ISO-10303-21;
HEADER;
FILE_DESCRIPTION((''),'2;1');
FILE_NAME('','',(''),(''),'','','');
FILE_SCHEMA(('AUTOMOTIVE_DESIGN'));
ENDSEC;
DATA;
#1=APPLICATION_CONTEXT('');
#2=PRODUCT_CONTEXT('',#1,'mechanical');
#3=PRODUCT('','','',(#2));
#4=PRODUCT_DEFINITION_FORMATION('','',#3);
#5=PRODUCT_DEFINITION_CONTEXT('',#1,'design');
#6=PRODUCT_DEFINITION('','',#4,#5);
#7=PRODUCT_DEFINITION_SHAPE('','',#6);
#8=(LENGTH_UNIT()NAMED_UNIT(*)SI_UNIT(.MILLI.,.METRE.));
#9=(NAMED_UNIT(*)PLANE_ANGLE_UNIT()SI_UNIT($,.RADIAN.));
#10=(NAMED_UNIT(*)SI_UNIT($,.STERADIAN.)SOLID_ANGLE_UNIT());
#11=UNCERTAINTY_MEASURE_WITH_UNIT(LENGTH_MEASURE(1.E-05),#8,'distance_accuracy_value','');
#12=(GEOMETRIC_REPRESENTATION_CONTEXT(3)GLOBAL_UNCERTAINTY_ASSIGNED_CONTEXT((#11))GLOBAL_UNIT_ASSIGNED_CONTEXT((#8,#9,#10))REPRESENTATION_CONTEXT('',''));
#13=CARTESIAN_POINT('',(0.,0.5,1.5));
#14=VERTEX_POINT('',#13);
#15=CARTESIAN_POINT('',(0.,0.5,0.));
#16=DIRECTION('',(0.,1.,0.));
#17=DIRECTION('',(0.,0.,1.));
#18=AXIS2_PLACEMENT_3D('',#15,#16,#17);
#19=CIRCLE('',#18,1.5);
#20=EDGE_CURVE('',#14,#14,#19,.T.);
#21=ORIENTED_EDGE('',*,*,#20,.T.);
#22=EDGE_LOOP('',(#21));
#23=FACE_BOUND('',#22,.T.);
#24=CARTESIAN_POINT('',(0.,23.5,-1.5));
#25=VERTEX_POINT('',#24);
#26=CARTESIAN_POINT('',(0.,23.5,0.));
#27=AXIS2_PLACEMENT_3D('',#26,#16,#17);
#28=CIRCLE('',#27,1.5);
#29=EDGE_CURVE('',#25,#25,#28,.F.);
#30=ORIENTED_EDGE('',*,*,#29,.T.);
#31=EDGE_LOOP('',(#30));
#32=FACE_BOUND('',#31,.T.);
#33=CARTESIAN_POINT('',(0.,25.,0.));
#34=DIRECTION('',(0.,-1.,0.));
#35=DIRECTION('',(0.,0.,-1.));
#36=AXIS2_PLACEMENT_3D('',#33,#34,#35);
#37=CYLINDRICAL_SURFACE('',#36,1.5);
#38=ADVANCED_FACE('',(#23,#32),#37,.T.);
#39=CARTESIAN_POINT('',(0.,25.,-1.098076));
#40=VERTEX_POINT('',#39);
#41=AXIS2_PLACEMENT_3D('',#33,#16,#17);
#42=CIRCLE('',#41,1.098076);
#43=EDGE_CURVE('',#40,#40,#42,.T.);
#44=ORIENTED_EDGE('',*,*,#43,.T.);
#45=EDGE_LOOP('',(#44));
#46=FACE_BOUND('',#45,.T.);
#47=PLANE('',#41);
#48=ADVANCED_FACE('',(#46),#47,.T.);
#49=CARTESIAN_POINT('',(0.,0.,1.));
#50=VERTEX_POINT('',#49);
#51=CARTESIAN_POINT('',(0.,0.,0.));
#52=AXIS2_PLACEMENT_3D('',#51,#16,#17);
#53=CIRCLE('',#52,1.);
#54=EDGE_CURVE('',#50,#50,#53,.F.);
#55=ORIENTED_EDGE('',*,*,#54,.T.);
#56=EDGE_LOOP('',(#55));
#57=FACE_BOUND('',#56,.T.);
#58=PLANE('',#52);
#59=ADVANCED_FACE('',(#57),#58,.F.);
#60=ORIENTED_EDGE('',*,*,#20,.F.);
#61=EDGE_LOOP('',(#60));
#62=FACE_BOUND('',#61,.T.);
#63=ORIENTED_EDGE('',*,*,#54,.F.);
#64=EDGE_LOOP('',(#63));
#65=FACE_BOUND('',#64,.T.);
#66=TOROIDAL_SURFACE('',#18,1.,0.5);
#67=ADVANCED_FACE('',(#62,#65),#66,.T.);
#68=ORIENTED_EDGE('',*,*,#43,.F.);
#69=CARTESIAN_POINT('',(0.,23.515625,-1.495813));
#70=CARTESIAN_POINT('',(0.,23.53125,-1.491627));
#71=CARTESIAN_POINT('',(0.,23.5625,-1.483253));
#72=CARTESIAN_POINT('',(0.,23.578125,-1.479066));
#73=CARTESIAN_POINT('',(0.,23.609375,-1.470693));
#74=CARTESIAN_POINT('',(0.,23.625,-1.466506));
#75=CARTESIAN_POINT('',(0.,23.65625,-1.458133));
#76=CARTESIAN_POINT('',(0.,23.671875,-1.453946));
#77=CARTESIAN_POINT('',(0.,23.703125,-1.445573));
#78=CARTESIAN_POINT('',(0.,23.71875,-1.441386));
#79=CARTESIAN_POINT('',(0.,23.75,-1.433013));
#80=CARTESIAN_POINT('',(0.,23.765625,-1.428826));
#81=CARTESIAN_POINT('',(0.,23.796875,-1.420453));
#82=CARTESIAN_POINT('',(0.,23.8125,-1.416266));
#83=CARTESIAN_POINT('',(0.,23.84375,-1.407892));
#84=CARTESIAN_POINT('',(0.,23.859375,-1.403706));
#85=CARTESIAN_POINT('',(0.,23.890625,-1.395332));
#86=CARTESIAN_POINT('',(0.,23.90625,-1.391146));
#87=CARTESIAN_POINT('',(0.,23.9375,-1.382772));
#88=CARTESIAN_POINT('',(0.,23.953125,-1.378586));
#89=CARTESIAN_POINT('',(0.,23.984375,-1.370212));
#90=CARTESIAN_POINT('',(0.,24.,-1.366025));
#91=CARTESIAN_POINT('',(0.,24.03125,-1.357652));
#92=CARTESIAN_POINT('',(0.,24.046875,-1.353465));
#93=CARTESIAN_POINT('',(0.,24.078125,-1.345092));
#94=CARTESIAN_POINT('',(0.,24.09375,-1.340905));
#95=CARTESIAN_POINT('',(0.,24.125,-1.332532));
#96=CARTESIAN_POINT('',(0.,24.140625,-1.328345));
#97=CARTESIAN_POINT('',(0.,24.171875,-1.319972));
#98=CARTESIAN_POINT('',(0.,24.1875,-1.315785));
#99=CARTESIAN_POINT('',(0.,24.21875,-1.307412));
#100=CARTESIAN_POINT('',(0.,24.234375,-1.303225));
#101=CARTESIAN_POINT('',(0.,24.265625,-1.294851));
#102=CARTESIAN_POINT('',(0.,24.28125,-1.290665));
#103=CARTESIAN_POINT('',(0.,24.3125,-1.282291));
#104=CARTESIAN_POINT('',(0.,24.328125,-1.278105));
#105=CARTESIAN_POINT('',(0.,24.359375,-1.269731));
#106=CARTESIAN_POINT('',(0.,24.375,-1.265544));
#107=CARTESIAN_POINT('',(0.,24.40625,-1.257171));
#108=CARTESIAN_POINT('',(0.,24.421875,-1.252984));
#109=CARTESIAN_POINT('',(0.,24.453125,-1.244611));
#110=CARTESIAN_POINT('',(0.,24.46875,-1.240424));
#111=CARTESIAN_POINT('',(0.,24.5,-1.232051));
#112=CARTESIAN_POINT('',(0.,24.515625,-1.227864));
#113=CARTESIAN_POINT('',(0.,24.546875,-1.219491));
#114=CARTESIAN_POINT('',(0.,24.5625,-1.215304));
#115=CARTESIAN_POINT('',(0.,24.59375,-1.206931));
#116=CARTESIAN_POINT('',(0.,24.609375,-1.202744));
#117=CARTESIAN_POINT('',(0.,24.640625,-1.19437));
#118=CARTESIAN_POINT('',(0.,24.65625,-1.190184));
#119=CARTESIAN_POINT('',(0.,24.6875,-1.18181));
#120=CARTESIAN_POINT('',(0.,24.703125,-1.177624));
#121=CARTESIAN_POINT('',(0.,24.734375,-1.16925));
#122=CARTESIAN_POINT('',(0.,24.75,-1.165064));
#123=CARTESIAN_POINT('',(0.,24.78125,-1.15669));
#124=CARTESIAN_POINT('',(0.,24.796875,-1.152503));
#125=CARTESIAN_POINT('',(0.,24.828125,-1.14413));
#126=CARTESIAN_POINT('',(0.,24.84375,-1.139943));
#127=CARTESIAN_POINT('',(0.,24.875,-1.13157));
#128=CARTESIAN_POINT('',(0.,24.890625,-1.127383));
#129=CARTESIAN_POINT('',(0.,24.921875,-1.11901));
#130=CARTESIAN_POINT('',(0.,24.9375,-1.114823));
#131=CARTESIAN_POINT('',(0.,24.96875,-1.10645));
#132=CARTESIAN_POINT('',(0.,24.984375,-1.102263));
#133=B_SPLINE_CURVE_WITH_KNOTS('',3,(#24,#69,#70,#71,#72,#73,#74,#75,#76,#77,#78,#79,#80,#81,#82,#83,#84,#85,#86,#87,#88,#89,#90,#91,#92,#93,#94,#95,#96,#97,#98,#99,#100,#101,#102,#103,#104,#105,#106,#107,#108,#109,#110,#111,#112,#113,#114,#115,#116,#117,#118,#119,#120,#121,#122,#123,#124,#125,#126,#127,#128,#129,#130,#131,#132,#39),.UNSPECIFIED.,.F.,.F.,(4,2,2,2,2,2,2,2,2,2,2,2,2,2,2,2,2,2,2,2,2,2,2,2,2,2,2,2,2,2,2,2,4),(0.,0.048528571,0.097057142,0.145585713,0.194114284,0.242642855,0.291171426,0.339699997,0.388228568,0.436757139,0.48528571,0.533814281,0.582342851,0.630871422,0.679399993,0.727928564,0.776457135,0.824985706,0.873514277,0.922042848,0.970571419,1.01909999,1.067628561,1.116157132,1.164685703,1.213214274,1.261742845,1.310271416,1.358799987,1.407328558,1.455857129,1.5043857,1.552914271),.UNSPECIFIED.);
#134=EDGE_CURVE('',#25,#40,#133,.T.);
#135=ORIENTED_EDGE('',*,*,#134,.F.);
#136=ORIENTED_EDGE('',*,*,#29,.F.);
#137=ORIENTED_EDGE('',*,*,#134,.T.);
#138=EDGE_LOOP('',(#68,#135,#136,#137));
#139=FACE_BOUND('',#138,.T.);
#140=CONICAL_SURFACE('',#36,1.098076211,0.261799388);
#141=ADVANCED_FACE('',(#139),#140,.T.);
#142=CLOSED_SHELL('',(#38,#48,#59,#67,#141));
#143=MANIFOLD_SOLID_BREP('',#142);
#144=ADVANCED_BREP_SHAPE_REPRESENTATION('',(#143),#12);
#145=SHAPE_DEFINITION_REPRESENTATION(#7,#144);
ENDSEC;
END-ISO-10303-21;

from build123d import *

# Parameters (mm, degrees)
SKETCH1_R           = 1.5
BOSS_EXTRUDE1_DEPTH = 25
CHAMFER1_SIZE       = 1.5
CHAMFER1_SIZE2      = 0.401923789
FILLET1_R           = 0.5


with BuildPart() as part:
    # Sketch1 → Boss-Extrude1 (new body)
    with BuildSketch(Plane(origin=(0, 0, 0), x_dir=(1, 0, 0), z_dir=(0, 1, 0))):
        with Locations(Location((0, 0, 0), (0, 0, 270))):
            Circle(SKETCH1_R)
    extrude(amount=BOSS_EXTRUDE1_DEPTH)

    # Chamfer1
    chamfer1_edges = [part.edges().sort_by_distance(p)[0] for p in [
        (0, 25, -1.5),
    ]]
    chamfer1_side = [part.faces().sort_by_distance(p)[0] for p in [
        (0, 12.5, -1.5),
    ]]
    chamfer(chamfer1_edges, length=CHAMFER1_SIZE, length2=CHAMFER1_SIZE2, reference=chamfer1_side[0])

    # Fillet1
    fillet1_edges = [part.edges().sort_by_distance(p)[0] for p in [
        (0, 0, -1.5),
    ]]
    fillet(fillet1_edges, radius=FILLET1_R)


solid = part.part
